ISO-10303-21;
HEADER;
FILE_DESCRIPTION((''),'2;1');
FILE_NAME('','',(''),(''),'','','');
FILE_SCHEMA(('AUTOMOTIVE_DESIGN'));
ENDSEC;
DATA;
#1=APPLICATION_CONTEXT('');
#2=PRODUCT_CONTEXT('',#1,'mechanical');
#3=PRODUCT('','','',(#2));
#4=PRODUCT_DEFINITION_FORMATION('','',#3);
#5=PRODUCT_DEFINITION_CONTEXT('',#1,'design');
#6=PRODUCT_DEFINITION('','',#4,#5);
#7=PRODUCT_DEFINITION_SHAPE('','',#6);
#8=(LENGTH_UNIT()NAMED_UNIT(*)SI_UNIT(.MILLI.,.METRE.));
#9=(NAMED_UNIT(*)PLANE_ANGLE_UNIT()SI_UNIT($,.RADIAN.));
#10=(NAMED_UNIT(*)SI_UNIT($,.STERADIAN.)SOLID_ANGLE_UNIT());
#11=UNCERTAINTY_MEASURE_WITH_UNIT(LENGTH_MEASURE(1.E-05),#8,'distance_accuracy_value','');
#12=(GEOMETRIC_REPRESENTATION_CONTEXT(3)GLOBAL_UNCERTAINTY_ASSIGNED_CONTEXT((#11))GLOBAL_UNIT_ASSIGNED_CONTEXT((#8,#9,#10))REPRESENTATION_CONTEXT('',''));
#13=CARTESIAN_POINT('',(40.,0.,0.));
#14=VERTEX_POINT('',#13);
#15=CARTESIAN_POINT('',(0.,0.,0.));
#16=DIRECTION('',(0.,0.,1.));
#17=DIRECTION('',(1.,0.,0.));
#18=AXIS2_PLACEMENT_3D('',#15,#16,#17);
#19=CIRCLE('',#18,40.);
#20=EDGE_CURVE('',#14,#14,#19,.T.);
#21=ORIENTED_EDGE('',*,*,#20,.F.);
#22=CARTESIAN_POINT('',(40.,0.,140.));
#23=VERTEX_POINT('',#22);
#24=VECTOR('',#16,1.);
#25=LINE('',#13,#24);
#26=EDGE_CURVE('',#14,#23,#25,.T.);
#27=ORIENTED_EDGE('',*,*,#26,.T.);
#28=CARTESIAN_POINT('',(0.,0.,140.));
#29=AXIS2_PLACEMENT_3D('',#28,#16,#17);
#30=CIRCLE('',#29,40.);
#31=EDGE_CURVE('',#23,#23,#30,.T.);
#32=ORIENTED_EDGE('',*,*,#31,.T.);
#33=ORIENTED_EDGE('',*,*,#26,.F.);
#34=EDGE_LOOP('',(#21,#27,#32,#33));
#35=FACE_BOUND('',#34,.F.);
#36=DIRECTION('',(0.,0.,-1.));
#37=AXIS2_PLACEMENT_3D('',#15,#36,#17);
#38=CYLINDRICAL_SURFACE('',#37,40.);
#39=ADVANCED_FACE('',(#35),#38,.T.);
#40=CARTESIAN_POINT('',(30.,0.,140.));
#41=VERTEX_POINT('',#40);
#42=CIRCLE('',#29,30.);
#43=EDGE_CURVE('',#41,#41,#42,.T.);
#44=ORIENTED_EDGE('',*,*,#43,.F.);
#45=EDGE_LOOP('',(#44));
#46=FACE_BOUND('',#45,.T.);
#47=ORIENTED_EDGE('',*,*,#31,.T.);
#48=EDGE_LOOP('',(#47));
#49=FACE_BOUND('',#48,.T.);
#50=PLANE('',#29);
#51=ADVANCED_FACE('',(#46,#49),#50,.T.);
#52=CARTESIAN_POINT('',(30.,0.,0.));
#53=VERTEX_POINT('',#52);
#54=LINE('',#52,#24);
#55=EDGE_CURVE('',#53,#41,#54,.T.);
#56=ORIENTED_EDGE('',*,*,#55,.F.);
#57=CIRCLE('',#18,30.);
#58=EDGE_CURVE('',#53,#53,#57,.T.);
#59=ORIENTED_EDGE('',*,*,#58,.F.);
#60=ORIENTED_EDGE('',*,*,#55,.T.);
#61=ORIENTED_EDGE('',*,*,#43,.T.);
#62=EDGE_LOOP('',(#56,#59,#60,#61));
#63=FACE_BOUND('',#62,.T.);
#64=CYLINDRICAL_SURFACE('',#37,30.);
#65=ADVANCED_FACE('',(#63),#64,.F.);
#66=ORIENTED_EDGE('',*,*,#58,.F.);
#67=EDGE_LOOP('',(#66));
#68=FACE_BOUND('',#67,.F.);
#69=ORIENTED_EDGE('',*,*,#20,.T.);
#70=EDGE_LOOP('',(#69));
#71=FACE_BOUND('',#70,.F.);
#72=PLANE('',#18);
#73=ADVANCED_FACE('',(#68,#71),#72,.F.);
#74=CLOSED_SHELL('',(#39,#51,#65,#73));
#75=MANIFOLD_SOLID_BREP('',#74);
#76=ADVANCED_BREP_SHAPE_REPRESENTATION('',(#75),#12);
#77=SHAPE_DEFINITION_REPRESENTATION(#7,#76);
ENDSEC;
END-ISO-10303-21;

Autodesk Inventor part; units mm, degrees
ref_plane "YZ Plane" through (0, 0, 0) normal (1, 0, 0) x (0, 1, 0)
ref_plane "XZ Plane" through (0, 0, 0) normal (0, 1, 0) x (-1, 0, 0)
ref_plane "XY Plane" through (0, 0, 0) normal (0, 0, 1) x (1, 0, 0)
sketch "Sketch1" plane through (0, 0, 0) normal (0, 0, 1) x (1, 0, 0)
  circle A0 centre (0, 0) radius 40
  circle A1 centre (0, 0) radius 30
  dimension "d0" = 80
  dimension "d1" = 60
extrude "Extrusion1" add sketch "Sketch1" along normal blind 140
properties part number "Wałek"
